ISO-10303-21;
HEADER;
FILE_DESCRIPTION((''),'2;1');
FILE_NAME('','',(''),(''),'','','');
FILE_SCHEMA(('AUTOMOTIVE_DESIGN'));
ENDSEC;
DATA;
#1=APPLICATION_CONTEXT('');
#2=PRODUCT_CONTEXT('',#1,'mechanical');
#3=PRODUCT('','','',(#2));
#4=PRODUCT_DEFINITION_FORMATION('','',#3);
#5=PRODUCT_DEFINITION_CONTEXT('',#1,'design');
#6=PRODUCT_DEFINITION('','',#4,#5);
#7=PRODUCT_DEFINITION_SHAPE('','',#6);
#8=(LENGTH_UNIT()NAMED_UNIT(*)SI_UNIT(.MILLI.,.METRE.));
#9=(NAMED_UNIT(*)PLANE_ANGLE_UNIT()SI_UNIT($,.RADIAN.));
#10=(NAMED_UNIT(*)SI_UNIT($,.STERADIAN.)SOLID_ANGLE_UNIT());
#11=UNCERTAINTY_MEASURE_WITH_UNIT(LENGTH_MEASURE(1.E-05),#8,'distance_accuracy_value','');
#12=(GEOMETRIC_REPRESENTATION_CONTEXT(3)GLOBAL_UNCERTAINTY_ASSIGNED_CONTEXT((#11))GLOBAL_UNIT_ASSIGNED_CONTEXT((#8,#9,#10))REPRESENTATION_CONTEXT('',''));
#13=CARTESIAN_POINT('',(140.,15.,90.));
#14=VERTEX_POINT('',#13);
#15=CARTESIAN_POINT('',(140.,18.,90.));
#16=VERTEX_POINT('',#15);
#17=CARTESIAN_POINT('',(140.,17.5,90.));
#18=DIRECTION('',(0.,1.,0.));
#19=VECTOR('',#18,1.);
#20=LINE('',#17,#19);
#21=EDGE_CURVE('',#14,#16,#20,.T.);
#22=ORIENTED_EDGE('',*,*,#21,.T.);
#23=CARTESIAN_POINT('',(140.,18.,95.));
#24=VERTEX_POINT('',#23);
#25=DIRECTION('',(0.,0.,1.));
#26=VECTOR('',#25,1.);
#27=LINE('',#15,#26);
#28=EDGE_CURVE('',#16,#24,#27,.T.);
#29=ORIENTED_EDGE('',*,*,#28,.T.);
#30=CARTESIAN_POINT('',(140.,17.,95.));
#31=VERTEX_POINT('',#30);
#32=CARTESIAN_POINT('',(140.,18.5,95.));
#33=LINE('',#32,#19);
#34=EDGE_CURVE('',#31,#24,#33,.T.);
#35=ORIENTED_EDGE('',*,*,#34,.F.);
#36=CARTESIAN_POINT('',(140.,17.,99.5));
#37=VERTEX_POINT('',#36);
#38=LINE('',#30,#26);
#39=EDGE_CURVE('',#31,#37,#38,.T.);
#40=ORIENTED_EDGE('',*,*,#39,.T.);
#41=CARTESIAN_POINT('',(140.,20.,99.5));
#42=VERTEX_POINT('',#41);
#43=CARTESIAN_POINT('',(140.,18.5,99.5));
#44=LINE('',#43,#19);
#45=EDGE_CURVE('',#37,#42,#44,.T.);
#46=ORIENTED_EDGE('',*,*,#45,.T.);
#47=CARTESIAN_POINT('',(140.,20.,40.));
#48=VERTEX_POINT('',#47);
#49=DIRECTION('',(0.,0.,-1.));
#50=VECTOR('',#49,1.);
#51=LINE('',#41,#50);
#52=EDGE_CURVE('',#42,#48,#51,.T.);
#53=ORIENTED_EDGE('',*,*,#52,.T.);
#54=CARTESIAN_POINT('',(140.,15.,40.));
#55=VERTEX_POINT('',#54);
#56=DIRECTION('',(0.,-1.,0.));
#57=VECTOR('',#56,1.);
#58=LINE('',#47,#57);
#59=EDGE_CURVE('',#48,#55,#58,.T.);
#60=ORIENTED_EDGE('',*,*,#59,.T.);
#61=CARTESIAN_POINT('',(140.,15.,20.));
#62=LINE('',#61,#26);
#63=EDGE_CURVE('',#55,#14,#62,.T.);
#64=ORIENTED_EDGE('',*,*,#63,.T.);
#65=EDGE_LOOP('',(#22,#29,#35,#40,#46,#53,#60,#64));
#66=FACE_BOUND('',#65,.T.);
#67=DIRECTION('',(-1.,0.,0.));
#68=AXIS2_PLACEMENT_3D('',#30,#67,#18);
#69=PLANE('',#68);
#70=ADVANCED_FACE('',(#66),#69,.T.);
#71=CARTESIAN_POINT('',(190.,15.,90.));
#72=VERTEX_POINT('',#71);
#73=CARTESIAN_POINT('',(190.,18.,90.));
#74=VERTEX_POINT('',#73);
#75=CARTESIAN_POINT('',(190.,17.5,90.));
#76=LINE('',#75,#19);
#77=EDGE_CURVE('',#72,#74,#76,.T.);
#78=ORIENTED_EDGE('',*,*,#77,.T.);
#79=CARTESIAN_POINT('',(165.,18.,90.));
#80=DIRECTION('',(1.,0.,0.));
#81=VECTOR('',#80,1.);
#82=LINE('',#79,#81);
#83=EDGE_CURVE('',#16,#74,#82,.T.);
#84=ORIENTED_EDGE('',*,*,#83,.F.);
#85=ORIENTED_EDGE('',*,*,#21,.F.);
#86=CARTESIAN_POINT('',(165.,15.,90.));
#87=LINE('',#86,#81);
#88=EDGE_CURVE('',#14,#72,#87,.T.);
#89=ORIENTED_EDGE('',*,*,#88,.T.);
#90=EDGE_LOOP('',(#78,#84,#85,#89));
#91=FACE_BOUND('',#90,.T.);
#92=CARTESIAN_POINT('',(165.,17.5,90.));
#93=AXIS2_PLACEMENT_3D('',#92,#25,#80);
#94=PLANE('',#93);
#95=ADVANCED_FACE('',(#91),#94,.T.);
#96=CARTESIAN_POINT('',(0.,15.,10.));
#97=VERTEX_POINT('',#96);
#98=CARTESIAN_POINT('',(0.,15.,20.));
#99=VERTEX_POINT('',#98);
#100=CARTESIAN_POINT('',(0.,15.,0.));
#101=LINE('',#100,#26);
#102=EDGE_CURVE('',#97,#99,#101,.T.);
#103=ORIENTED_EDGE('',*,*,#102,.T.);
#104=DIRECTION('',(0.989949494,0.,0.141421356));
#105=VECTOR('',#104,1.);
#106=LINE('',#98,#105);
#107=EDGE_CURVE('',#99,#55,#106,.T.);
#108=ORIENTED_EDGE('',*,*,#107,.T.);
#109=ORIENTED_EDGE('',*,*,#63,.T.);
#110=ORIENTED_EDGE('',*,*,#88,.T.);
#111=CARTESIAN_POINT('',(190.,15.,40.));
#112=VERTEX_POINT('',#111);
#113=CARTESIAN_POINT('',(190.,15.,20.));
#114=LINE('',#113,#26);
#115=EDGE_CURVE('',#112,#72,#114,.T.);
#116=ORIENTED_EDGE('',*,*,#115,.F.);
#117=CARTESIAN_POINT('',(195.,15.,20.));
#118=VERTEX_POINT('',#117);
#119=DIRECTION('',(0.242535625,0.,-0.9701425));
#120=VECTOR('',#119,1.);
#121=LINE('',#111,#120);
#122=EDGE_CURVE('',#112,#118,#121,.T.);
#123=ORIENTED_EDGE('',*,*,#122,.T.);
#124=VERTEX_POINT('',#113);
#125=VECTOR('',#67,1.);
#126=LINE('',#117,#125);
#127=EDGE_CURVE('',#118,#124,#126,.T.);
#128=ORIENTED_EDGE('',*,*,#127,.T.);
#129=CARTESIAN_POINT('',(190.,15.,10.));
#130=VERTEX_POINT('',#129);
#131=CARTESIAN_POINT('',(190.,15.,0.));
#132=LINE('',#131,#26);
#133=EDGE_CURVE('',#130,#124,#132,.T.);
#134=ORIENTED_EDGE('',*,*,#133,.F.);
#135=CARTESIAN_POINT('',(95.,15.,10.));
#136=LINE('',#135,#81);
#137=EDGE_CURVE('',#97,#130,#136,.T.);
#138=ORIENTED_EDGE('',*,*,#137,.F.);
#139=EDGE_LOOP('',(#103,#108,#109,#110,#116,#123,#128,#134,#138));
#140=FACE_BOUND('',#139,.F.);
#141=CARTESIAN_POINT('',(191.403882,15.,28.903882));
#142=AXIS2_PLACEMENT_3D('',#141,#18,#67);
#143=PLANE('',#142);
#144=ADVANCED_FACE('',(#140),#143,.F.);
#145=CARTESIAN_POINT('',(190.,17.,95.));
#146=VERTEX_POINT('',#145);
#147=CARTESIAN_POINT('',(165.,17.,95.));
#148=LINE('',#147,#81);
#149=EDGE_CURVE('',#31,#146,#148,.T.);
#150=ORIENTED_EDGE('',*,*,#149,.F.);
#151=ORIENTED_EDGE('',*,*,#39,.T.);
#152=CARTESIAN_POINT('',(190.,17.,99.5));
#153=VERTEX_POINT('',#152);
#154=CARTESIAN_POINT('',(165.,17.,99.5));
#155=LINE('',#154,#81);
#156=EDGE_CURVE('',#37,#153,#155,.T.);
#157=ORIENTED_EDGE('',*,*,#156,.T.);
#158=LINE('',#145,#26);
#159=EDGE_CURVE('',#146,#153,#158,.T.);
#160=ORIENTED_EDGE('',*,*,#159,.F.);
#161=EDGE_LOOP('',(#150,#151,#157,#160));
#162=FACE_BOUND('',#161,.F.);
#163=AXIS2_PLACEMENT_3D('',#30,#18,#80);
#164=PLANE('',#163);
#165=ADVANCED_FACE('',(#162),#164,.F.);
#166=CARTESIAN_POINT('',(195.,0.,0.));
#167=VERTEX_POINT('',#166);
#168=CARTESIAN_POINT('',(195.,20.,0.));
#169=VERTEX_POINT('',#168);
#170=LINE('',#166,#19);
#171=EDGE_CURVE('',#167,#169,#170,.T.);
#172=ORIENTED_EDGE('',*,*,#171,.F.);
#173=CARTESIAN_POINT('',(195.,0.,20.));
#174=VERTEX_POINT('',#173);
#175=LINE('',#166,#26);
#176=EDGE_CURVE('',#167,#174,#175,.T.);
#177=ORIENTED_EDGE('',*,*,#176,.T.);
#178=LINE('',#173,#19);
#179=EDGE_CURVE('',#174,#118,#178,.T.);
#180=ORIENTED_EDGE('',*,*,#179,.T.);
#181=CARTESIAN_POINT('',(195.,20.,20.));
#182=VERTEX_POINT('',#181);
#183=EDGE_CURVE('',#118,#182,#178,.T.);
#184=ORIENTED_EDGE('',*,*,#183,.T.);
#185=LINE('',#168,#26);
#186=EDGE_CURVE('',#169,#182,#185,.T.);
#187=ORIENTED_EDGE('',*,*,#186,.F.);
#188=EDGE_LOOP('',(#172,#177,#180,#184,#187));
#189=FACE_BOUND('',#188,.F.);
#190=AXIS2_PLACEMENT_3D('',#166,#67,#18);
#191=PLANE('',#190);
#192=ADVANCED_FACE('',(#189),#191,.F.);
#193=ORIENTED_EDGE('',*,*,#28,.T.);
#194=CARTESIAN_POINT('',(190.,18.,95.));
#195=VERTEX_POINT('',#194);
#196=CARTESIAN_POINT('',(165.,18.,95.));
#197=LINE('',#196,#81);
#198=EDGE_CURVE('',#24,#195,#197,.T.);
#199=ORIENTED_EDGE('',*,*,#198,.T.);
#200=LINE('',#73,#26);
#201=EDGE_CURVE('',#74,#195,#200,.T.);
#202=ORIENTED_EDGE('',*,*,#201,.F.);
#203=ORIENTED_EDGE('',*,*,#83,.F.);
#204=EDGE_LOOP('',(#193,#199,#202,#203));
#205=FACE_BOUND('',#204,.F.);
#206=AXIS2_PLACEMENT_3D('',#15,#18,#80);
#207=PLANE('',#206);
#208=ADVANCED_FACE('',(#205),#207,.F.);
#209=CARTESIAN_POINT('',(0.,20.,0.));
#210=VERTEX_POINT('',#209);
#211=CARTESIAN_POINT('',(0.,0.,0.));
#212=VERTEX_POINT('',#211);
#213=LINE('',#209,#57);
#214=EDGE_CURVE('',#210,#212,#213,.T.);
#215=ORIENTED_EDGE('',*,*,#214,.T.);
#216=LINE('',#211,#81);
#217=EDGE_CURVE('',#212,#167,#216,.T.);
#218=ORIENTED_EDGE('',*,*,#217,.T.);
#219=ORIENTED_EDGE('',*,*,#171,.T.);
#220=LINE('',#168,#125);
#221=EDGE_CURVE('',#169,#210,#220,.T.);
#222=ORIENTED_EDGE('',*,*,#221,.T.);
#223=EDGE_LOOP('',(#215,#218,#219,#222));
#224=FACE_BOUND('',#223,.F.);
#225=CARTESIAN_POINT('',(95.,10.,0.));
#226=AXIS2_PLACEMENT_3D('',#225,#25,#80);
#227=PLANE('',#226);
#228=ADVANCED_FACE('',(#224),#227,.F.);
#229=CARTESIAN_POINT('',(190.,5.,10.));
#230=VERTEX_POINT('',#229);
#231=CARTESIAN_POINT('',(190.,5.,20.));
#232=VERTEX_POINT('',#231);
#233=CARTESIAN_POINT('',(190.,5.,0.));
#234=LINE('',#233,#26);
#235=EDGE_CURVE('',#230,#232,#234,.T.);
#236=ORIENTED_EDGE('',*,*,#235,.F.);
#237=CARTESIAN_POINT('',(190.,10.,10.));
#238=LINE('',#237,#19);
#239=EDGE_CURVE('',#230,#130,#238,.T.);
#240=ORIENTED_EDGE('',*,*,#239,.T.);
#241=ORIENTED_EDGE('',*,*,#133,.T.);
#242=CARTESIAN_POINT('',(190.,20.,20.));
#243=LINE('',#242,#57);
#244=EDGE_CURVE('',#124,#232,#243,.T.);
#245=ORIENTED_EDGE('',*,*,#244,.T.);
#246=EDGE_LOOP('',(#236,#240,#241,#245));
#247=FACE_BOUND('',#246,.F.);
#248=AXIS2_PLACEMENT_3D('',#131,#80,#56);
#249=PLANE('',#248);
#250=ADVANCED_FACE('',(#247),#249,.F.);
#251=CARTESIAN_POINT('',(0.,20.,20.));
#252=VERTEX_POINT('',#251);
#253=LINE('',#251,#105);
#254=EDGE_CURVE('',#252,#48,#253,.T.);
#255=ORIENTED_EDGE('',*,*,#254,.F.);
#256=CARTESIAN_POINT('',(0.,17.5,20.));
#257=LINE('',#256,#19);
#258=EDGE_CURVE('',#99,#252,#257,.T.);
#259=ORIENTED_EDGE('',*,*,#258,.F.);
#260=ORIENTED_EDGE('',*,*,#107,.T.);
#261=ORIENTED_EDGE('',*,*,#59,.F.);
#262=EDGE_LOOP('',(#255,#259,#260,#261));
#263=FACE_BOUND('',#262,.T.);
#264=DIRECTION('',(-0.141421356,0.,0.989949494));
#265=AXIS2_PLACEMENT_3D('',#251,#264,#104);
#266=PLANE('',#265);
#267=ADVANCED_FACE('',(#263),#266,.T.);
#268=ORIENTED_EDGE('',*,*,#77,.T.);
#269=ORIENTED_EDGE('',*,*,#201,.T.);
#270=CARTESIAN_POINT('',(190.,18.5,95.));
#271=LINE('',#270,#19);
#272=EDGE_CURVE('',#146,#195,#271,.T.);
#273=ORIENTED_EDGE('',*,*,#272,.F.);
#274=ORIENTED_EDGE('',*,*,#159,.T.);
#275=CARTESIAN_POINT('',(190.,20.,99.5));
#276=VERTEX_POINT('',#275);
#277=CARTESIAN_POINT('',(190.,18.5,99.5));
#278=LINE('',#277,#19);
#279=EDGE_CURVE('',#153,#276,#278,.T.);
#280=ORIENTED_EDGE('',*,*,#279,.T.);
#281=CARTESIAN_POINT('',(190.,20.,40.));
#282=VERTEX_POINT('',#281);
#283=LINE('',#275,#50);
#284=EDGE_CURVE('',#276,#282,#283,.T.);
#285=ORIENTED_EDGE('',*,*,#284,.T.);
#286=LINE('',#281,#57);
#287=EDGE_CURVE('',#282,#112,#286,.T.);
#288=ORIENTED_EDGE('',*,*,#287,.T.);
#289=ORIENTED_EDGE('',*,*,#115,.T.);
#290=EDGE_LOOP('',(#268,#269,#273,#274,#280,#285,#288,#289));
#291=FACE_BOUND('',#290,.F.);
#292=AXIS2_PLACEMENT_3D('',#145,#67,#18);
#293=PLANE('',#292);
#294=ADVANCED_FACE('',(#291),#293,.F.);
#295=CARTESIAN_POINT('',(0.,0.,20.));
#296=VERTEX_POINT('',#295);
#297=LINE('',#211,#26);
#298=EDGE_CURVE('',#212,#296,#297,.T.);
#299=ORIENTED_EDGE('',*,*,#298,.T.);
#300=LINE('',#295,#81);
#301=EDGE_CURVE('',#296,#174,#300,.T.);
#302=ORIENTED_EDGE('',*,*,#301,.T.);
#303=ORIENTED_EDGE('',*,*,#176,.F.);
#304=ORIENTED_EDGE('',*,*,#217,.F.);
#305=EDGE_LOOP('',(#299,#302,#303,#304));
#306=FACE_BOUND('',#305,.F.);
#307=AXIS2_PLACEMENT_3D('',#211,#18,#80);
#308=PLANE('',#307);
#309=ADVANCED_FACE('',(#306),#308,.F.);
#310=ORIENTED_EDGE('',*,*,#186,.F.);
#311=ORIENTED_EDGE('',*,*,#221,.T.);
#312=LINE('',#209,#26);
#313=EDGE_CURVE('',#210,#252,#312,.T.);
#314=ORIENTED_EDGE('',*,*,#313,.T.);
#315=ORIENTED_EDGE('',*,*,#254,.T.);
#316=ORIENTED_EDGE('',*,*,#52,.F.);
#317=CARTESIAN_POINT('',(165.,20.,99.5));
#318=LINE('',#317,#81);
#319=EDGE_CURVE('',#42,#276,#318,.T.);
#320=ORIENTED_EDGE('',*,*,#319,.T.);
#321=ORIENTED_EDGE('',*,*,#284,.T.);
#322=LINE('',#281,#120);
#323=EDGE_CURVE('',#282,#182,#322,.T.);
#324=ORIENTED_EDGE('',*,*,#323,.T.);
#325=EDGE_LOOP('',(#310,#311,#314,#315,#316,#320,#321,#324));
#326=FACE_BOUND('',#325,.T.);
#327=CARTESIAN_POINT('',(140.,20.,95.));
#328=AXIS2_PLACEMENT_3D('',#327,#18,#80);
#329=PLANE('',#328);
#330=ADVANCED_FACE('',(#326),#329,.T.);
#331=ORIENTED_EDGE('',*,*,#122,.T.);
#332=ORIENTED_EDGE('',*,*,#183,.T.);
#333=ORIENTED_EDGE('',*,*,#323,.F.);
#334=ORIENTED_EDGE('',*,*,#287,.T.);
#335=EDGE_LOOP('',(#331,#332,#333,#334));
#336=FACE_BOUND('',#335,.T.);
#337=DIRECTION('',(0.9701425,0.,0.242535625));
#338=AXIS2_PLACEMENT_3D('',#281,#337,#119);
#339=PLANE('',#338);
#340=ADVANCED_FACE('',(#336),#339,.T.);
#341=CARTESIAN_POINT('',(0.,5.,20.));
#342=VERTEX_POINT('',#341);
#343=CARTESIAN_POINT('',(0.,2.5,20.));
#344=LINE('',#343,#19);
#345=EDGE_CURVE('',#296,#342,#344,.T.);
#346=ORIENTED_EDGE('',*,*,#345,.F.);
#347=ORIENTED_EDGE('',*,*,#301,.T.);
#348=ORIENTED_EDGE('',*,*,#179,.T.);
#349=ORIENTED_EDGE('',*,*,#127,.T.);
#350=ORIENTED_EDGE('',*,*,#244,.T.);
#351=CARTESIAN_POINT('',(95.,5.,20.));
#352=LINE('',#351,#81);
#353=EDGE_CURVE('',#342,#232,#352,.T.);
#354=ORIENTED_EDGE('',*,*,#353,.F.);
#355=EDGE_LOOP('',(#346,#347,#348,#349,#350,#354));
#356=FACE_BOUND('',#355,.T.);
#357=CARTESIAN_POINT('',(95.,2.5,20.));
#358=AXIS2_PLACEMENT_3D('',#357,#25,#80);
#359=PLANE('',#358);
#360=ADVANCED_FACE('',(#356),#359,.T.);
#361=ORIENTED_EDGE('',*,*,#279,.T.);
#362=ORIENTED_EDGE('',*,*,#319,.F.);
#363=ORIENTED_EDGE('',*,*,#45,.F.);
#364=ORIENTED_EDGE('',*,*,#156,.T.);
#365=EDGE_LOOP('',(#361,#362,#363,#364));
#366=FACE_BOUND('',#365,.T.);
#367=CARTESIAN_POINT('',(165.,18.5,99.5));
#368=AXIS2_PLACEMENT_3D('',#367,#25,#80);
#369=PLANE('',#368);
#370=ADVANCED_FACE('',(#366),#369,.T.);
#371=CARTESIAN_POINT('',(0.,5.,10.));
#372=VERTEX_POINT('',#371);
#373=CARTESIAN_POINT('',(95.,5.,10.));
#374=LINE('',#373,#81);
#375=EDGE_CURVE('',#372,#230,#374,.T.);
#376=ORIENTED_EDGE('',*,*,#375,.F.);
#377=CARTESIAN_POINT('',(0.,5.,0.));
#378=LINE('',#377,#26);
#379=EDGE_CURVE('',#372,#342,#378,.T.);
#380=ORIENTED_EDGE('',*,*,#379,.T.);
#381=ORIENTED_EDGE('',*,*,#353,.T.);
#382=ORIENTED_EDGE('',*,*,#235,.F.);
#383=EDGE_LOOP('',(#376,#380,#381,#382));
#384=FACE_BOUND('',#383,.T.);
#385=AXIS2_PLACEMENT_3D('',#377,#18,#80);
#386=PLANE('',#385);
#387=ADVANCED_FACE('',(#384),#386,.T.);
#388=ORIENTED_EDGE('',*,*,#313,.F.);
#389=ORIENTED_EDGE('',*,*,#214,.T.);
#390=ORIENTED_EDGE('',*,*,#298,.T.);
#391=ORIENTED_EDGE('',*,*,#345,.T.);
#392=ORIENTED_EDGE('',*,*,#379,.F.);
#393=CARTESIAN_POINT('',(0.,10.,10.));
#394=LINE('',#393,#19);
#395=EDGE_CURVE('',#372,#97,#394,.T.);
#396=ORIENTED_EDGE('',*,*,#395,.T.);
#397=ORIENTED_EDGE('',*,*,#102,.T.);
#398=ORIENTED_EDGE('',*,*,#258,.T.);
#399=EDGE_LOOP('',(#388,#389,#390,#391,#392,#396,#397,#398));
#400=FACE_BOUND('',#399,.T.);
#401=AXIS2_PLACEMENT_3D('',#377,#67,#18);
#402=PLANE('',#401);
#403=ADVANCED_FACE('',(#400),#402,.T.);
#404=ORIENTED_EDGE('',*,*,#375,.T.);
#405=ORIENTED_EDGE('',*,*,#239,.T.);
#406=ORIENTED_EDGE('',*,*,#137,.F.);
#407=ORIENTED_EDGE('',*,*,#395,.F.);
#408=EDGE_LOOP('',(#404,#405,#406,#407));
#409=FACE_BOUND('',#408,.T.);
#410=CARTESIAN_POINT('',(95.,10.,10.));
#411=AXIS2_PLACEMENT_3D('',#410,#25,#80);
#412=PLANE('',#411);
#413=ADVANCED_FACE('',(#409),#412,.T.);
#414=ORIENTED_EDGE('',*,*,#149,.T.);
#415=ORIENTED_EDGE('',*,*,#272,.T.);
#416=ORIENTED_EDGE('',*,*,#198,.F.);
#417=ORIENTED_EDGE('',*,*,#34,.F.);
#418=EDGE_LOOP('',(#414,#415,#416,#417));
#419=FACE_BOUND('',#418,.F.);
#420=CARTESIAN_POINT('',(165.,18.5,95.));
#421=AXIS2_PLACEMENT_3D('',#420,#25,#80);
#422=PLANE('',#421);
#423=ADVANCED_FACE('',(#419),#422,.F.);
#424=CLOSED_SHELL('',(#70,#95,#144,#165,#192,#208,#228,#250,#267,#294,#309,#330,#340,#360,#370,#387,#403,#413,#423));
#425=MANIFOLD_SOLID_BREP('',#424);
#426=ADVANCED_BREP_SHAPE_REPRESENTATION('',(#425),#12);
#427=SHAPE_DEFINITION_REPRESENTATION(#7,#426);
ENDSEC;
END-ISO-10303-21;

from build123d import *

# Parameters (mm, degrees)
F0_W      = 190
F0_H      = 5
F1_DEPTH  = 20
F2_W      = 190
F2_H      = 10
F3_DEPTH  = 10
F4_W      = 50
F4_H      = 5
F5_DEPTH  = 70
F7_DEPTH  = 5
F8_W      = 50
F8_H      = 2
F9_DEPTH  = 5
F10_W     = 50
F10_H     = 3
F11_DEPTH = 4.5


with BuildPart() as f1:
    # F0 (on Top) → F1 (new body)
    with BuildSketch(Plane.XY):
        with Locations((95, 2.5)):
            Rectangle(F0_W, F0_H)
        Polygon((190, 5), (190, 0), (195, 0), (195, 20), (190, 20), (190, 15), align=None)
        with Locations((95, 17.5)):
            Rectangle(F0_W, F0_H)
    extrude(amount=F1_DEPTH)

    # F2 (on Top) → F3 (join)
    with BuildSketch(Plane.XY):
        with Locations((95, 10)):
            Rectangle(F2_W, F2_H)
    extrude(amount=F3_DEPTH)

    # F4 (on face) → F5 (join)
    with BuildSketch(Plane.XY.offset(20)):
        with Locations((165, 17.5)):
            Rectangle(F4_W, F4_H)
    extrude(amount=F5_DEPTH)

    # F6 (on face) → F7 (join)
    with BuildSketch(Plane(origin=(0, 20, 0), x_dir=(-1, 0, 0), z_dir=(0, 1, 0))):
        Polygon((-190, 40), (-195, 20), (-190, 20), align=None)
        Polygon((-140, 40), (-140, 20), (0, 20), align=None)
    extrude(amount=-F7_DEPTH)

    # F8 (on face) → F9 (join)
    with BuildSketch(Plane.XY.offset(90)):
        with Locations((165, 19)):
            Rectangle(F8_W, F8_H)
    extrude(amount=F9_DEPTH)

    # F10 (on face) → F11 (join)
    with BuildSketch(Plane.XY.offset(95)):
        with Locations((165, 18.5)):
            Rectangle(F10_W, F10_H)
    extrude(amount=F11_DEPTH)


solid = f1.part
